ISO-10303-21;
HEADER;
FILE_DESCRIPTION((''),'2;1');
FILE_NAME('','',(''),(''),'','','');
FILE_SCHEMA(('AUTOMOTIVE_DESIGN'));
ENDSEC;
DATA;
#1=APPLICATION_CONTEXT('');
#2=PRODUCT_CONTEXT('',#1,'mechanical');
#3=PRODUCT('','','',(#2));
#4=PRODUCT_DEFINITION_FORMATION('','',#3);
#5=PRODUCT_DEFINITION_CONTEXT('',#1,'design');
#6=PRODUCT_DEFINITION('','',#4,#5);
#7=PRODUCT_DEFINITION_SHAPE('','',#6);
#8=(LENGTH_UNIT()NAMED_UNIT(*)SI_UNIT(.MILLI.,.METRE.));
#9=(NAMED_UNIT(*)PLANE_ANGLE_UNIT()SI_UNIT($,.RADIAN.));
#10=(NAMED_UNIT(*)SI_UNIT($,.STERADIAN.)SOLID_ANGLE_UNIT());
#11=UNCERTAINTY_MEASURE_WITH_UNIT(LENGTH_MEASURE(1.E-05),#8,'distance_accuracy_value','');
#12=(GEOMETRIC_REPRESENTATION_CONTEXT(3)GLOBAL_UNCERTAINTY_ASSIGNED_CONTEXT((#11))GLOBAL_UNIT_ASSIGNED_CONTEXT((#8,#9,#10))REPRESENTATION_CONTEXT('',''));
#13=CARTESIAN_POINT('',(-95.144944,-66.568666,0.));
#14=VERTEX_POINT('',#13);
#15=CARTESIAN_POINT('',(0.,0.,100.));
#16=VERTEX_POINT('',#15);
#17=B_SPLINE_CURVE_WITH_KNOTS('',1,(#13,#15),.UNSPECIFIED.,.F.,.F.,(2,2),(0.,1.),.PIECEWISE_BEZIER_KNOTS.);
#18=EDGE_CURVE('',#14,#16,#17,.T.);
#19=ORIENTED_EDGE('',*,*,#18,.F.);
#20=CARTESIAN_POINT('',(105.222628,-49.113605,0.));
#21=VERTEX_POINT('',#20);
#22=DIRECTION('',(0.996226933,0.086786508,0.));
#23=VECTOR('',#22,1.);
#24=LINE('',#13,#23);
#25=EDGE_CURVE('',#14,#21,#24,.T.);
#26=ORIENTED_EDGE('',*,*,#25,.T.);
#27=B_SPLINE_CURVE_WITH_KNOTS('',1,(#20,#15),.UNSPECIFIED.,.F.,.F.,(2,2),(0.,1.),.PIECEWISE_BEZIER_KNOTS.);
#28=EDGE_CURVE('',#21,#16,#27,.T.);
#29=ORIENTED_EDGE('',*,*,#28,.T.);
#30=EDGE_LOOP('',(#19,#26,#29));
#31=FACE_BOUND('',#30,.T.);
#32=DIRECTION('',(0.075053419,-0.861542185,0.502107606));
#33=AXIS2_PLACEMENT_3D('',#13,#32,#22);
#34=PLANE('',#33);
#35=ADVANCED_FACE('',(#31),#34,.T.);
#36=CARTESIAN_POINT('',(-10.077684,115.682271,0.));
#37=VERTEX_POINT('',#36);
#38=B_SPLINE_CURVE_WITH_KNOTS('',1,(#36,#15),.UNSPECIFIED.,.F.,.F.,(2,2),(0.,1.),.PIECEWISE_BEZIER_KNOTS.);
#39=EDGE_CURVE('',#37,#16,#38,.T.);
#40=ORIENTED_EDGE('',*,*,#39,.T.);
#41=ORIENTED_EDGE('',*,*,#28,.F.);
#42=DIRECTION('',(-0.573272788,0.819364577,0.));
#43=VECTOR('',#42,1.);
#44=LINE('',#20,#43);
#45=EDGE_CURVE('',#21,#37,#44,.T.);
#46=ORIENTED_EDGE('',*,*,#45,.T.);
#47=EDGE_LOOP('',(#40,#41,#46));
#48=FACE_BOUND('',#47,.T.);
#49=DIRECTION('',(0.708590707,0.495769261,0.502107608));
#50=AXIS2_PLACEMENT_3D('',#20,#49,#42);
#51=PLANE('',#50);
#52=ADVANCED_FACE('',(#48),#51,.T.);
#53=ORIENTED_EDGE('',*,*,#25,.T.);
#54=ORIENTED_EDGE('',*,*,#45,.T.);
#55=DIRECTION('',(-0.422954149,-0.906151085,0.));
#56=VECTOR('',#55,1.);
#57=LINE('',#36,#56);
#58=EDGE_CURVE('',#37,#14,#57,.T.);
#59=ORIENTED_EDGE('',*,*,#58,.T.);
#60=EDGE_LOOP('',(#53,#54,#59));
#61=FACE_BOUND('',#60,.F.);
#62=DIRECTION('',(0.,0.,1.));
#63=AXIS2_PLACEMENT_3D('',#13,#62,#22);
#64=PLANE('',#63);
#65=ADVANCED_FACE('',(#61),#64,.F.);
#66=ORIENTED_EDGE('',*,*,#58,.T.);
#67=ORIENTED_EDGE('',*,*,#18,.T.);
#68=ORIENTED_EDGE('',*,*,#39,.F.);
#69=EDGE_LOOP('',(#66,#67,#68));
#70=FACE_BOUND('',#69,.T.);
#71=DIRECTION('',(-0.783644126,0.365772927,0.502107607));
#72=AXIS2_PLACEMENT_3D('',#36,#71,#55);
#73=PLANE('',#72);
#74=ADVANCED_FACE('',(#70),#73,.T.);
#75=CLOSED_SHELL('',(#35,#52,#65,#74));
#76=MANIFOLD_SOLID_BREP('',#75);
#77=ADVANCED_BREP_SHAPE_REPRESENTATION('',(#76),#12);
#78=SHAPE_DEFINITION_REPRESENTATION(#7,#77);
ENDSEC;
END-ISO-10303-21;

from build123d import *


with BuildPart() as f3:
    # F0 (on Top) → F3 section 0
    with BuildSketch(Plane.XY, mode=Mode.PRIVATE) as f3_s0:
        Polygon((-95.144944, -66.568666), (105.222628, -49.113605), (-10.077684, 115.682271), align=None)
    loft([f3_s0.sketch, Vertex(0, 0, 100)])


solid = f3.part
